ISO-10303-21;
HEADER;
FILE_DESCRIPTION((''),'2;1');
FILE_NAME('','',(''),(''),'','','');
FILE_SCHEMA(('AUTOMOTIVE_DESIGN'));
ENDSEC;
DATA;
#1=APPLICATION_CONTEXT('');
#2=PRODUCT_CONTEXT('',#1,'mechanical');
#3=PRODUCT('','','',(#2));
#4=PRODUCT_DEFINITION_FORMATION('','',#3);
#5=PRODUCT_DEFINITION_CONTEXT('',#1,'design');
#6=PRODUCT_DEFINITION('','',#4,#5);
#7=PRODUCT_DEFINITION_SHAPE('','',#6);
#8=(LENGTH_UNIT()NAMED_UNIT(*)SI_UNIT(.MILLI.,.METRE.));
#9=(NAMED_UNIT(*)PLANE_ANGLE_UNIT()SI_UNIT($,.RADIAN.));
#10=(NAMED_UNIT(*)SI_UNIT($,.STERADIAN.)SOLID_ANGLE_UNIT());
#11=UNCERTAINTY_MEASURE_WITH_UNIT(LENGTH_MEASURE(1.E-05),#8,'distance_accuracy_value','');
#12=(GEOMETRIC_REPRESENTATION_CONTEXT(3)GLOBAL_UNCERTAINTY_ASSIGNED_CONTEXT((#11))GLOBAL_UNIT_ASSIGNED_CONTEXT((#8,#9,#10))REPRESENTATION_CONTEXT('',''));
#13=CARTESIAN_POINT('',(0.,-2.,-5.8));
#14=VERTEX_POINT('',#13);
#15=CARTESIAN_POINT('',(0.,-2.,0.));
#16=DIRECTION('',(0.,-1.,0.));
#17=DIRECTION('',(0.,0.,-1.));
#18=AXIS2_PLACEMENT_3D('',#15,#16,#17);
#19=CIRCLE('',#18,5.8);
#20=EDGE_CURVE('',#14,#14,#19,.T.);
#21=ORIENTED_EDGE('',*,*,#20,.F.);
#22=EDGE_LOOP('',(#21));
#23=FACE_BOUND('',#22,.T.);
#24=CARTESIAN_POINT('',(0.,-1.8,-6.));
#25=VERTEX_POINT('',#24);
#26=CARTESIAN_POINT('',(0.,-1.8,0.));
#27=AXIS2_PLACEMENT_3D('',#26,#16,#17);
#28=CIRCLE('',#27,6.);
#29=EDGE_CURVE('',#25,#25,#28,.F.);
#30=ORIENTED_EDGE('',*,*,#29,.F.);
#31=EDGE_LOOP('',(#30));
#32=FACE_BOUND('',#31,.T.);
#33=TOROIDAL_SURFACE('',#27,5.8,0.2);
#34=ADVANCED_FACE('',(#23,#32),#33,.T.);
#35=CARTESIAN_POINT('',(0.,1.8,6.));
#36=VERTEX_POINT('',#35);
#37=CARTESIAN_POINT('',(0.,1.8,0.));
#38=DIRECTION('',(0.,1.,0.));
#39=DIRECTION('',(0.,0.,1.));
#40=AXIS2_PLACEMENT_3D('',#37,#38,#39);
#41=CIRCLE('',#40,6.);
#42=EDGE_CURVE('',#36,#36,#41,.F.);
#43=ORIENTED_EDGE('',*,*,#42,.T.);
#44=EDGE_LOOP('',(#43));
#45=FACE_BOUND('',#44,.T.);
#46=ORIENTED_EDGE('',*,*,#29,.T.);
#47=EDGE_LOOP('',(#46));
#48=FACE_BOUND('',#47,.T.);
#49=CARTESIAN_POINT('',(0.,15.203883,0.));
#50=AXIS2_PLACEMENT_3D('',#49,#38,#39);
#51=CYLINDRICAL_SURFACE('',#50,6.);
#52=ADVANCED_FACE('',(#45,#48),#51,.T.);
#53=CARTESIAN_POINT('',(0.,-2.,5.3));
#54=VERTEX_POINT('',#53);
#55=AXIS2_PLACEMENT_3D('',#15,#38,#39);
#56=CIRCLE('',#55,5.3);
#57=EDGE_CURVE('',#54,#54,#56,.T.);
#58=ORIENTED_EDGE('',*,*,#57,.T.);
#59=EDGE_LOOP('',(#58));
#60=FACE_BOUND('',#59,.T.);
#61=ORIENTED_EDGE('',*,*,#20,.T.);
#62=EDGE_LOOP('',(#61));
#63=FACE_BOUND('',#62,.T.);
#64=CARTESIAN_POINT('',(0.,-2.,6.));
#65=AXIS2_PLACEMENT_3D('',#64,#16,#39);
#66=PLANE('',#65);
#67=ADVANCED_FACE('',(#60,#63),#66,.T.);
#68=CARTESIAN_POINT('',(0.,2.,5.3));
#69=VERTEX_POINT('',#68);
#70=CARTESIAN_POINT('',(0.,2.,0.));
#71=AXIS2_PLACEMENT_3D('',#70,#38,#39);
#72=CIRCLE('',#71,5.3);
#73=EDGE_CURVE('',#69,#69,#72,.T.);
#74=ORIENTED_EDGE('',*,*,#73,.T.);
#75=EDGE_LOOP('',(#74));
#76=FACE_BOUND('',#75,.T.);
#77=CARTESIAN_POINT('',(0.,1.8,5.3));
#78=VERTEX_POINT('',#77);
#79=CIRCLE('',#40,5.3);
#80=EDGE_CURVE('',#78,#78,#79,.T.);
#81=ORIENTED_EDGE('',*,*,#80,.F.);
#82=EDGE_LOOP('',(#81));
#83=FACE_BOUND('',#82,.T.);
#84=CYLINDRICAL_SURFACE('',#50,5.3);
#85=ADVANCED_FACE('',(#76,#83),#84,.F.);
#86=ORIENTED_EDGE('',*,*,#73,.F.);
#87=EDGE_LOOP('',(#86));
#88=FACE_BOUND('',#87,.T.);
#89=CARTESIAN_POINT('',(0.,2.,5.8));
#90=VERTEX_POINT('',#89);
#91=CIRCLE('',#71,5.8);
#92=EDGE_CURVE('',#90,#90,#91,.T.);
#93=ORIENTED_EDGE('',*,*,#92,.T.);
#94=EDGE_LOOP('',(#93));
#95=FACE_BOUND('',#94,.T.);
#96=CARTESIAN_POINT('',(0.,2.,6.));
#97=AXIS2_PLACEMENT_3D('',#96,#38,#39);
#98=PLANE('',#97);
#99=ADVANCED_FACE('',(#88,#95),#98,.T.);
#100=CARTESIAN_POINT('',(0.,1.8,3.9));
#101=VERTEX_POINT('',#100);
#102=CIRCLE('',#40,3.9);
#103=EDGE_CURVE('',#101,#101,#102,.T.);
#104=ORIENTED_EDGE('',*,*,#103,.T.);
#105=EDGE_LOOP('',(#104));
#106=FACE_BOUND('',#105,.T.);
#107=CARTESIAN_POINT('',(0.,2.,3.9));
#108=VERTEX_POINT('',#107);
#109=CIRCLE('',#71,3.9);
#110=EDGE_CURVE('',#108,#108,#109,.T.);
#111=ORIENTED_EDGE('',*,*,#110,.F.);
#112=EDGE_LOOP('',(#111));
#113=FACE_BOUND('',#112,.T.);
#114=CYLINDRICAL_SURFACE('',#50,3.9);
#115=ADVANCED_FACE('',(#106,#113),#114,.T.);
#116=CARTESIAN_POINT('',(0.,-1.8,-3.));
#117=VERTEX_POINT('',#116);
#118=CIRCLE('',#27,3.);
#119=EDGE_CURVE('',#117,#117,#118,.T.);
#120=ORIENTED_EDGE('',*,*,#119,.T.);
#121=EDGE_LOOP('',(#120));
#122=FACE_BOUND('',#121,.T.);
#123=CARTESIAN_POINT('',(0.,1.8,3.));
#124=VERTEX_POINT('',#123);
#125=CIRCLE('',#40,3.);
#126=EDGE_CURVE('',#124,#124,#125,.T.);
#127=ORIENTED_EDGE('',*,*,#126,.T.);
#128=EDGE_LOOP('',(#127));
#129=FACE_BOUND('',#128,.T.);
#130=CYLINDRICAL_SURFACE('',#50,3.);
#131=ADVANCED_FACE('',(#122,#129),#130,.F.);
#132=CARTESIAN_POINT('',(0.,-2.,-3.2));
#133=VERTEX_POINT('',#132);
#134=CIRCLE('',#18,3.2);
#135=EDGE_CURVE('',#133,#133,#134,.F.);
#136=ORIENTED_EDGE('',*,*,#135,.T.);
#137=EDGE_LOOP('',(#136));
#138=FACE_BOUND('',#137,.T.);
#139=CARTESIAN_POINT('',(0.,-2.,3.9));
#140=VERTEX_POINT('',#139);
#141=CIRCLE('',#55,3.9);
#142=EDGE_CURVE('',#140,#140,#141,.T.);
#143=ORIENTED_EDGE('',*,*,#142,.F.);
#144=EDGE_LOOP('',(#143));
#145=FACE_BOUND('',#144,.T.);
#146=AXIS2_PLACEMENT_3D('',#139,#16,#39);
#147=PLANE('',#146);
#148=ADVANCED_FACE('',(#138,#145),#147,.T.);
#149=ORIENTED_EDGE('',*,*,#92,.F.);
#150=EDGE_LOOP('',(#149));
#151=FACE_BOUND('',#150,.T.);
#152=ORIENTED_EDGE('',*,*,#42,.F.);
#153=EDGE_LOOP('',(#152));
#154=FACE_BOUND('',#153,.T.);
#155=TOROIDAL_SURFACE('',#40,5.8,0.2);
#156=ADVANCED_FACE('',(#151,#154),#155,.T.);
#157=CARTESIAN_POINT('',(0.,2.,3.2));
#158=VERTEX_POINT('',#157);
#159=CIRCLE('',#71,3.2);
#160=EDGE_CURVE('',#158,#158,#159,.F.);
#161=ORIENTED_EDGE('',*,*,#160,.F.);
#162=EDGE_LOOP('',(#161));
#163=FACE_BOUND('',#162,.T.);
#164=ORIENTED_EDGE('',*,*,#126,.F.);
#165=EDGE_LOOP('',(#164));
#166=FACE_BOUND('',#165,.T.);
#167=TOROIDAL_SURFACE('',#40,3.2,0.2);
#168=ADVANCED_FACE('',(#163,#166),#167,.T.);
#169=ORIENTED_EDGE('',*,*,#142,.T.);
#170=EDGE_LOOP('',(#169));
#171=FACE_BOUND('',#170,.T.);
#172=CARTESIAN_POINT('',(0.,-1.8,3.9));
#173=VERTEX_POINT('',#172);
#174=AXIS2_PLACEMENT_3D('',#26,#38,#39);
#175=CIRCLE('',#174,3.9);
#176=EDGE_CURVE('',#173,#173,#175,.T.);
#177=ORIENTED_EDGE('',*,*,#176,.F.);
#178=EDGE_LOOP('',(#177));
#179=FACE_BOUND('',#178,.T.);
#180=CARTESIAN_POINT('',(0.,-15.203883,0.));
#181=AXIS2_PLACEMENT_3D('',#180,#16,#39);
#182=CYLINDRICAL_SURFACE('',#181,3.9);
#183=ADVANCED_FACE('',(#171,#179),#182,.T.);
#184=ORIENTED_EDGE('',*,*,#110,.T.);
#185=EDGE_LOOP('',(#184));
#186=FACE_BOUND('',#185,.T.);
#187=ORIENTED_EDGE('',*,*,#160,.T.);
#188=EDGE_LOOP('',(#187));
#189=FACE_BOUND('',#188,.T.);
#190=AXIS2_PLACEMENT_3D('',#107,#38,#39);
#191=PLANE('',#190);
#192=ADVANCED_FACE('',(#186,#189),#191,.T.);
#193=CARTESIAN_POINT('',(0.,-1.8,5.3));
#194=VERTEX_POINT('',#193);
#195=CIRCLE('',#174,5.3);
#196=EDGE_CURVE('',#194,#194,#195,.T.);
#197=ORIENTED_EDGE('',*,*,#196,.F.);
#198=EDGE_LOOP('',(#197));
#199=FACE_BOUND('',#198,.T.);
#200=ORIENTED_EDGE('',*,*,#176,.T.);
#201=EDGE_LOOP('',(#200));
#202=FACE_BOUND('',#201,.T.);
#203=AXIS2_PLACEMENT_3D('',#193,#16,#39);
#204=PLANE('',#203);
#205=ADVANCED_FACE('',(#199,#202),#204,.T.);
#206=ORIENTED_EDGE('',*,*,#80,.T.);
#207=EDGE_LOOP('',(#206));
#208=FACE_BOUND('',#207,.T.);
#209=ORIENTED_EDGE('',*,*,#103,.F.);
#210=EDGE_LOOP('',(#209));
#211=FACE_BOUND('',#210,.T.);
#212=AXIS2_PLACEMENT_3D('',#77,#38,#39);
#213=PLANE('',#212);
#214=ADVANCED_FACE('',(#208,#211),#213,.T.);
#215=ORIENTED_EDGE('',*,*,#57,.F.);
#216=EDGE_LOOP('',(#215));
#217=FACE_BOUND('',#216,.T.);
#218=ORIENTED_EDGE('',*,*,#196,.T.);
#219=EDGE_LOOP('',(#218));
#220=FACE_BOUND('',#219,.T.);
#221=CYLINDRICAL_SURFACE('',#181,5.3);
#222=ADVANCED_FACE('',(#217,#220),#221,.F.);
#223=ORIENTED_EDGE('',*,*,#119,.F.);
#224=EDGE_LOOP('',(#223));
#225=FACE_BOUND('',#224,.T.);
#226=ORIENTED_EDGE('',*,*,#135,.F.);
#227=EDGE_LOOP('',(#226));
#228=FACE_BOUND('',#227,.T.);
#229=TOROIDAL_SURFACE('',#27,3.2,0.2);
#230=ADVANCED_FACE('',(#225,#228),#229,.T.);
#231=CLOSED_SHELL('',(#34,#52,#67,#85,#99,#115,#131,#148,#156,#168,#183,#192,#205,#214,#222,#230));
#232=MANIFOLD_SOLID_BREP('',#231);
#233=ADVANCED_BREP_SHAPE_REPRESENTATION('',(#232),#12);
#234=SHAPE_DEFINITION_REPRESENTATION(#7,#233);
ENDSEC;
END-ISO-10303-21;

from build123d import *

# Parameters (mm, degrees)
FILLET1_R            = 0.2
FILLET1_OF_MIRROR1_R = 0.2


with BuildPart() as part:
    # Sketch1 → Revolve1 (revolve)
    with BuildSketch(Plane(origin=(0, 0, 0), x_dir=(0, 0, -1), z_dir=(1, 0, 0))):
        Polygon((-6, 0), (-6, 2), (-5.3, 2), (-5.3, 1.8), (-3.9, 1.8), (-3.9, 2), (-3, 2), (-3, 0), align=None)
    revolve1 = revolve(axis=Axis((0, 15.203883495, 0), (0, -1, 0)))

    # Fillet1
    fillet1_edges = [part.edges().sort_by_distance(p)[0] for p in [
        (0, 2, -3),
        (0, 2, -6),
    ]]
    fillet(fillet1_edges, radius=FILLET1_R)

    # Mirror1: Revolve1 across plane
    add(revolve1.mirror(Plane.ZX))

    # Fillet1 of Mirror1
    fillet1_of_mirror1_edges = [part.edges().sort_by_distance(p)[0] for p in [
        (0, -2, -3),
        (0, -2, -6),
    ]]
    fillet(fillet1_of_mirror1_edges, radius=FILLET1_OF_MIRROR1_R)


solid = part.part
